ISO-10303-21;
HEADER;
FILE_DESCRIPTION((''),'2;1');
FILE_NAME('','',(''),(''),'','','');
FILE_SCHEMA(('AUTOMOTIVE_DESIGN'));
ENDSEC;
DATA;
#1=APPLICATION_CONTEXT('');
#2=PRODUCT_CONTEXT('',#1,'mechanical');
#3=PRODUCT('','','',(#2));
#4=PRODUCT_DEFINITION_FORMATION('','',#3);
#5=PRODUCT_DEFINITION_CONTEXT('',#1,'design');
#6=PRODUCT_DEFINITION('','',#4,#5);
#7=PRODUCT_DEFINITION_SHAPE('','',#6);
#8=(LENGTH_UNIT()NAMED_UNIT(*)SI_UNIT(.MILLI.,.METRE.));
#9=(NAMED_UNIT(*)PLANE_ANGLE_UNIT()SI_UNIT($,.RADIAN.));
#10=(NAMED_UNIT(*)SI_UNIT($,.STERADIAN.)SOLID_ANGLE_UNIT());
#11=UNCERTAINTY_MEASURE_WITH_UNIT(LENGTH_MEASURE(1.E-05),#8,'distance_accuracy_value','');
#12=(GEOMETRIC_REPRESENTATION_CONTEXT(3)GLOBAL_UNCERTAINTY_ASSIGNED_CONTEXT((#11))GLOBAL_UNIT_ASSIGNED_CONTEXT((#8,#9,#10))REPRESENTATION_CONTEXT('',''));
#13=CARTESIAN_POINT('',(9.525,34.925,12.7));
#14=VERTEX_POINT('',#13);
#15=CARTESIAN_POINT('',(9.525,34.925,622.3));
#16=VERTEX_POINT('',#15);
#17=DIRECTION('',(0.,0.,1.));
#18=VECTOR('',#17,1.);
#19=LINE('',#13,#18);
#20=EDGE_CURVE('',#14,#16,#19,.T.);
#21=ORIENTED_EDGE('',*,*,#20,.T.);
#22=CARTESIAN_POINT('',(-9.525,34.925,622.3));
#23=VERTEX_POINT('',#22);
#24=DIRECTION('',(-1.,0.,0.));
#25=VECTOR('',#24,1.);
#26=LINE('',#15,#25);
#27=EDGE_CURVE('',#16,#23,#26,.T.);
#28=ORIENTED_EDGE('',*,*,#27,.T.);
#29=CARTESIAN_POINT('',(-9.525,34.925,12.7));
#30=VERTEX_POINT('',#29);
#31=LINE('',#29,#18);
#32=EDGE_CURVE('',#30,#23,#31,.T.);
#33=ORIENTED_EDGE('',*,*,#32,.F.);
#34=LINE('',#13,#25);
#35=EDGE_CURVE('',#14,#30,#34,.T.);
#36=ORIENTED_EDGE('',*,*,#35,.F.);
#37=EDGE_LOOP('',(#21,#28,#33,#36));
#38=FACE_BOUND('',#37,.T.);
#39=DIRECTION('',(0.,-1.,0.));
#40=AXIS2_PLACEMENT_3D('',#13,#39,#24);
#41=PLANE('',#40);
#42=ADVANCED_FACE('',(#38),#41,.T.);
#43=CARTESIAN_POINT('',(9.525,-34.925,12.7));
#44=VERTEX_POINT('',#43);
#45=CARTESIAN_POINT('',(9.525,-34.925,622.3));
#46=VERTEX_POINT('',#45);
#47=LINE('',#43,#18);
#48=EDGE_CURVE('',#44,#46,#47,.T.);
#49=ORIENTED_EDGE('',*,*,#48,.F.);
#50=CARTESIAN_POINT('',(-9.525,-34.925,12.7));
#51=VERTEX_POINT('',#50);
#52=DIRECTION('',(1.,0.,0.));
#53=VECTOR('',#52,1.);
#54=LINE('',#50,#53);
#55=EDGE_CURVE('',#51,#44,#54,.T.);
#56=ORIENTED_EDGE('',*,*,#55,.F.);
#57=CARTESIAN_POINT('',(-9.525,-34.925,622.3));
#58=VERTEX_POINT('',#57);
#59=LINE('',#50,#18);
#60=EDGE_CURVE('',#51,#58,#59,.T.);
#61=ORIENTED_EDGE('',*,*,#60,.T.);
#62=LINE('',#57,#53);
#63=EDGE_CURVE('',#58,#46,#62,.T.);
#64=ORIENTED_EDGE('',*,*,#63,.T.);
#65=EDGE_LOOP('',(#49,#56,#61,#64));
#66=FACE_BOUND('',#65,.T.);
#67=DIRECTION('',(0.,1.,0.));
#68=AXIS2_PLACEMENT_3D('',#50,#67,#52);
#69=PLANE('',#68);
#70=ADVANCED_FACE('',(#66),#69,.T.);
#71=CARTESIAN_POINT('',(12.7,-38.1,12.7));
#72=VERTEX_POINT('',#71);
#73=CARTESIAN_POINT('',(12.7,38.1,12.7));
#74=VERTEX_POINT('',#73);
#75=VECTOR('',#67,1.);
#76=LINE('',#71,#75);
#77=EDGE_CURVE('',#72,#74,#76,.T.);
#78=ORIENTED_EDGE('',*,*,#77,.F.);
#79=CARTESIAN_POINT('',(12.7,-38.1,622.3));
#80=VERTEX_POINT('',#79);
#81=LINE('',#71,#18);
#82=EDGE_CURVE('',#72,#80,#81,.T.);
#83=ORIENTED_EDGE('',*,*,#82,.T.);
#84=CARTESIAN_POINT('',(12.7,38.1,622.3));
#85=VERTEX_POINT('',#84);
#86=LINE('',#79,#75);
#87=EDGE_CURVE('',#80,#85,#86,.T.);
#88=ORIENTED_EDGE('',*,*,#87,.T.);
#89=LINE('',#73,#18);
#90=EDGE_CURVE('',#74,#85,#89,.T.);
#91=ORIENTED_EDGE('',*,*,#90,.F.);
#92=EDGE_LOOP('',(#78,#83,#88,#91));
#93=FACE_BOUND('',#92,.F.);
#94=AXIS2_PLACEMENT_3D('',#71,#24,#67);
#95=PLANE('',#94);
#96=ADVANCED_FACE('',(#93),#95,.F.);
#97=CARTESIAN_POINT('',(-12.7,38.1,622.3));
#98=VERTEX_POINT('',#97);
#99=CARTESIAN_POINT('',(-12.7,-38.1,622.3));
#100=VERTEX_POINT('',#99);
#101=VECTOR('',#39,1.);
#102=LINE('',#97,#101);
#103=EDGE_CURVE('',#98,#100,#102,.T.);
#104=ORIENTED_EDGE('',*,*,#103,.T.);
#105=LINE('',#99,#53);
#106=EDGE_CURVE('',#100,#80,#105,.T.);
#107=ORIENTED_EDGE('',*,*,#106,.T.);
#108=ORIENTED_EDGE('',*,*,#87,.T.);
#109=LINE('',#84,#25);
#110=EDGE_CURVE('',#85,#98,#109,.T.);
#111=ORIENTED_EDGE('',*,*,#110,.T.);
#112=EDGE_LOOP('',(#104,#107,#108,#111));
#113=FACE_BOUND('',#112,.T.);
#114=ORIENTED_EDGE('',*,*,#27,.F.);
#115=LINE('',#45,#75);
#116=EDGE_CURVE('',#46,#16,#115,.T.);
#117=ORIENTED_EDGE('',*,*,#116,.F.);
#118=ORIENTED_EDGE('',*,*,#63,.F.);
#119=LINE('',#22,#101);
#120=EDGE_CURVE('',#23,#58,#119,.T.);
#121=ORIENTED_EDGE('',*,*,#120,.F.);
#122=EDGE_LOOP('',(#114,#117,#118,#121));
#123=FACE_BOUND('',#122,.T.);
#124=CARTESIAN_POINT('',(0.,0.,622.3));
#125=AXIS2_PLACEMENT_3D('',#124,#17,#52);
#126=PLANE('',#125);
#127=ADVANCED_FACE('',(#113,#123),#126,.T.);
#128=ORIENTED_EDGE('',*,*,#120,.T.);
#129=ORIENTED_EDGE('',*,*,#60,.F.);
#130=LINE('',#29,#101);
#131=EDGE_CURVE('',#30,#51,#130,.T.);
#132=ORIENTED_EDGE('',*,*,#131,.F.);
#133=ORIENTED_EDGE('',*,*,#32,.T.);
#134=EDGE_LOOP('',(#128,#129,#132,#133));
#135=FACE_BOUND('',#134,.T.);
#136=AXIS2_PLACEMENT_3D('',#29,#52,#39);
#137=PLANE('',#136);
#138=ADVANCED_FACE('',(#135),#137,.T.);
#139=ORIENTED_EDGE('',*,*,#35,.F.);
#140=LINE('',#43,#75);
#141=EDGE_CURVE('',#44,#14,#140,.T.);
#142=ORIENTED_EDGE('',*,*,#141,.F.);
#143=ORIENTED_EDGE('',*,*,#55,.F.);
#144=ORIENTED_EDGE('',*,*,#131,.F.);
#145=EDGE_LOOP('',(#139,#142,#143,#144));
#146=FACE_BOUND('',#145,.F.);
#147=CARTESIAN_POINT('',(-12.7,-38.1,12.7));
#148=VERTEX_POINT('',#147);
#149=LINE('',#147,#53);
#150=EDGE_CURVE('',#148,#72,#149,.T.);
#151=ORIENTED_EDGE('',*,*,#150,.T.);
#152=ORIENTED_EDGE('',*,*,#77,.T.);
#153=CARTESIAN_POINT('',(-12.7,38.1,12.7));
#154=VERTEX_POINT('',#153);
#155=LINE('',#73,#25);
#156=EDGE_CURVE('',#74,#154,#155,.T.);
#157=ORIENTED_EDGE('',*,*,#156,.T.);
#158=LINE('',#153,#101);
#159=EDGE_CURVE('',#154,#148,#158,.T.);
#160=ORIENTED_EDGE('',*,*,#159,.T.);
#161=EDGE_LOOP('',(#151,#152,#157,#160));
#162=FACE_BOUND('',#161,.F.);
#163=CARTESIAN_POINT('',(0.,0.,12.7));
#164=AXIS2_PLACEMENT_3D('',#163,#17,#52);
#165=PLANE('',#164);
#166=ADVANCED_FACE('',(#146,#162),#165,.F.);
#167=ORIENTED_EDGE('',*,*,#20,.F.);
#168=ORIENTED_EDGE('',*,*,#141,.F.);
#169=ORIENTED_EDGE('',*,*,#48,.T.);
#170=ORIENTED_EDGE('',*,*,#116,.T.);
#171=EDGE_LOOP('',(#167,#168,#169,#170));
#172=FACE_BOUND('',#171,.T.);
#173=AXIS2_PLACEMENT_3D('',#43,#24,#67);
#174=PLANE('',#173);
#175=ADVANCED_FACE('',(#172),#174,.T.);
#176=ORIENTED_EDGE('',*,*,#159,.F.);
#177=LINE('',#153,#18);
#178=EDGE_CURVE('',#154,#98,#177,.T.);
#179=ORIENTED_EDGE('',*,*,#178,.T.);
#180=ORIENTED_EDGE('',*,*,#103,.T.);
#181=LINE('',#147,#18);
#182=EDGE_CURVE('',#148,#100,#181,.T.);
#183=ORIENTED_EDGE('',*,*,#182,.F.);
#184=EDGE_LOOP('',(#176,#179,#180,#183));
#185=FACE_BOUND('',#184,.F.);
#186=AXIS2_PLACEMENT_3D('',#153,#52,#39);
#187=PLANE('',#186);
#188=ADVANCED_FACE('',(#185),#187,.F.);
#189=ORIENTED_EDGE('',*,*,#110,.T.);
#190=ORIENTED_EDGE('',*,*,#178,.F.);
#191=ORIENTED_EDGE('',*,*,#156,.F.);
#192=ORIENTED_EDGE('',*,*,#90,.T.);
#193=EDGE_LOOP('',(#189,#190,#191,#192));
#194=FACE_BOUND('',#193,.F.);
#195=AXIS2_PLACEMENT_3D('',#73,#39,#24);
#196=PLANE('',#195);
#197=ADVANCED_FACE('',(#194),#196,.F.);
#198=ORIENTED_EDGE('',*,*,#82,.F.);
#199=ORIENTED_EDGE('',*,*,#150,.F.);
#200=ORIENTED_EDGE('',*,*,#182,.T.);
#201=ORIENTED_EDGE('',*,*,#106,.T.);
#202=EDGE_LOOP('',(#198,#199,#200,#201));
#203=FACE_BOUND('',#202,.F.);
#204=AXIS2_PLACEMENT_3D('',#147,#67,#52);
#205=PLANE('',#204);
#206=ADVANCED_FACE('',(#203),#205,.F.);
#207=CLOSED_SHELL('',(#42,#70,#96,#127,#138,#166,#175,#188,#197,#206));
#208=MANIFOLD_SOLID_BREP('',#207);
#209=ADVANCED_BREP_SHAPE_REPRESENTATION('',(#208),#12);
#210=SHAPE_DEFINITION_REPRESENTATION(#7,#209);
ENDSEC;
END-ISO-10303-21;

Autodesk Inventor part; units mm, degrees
ref_plane "Start Plane" through (0, 0, 12.7) normal (0, 0, 1) x (1, 0, 0)
ref_plane "End Plane" through (0, 0, 622.3) normal (0, 0, 1) x (1, 0, 0)
sketch "Sketch" plane through (0, 0, 0) normal (0, 0, 1) x (1, 0, 0)
  line L0 (-12.7, -38.1) -> (12.7, -38.1)
  line L1 (12.7, -38.1) -> (12.7, 38.1)
  line L2 (12.7, 38.1) -> (-12.7, 38.1)
  line L3 (-12.7, 38.1) -> (-12.7, -38.1)
  line L4 (-12.7, -38.1) -> (12.7, 38.1) construction
  line L5 (12.7, -38.1) -> (-12.7, 38.1) construction
  line L6 (-9.525, -34.925) -> (9.525, -34.925)
  line L7 (9.525, -34.925) -> (9.525, 34.925)
  line L8 (9.525, 34.925) -> (-9.525, 34.925)
  line L9 (-9.525, 34.925) -> (-9.525, -34.925)
  line L10 (-9.525, -34.925) -> (9.525, 34.925) construction
  line L11 (9.525, -34.925) -> (-9.525, 34.925) construction
  point P0 (0, 0)
  dimension "d0" = 25.4
  dimension "d1" = 76.2
  dimension "d2" = 3.175
  dimension "d3" = 3.175
extrude "Body" add sketch "Sketch" along normal up to surface (609.6 mm away) from surface at 12.7
sketch "Sketch6" plane through (0, 0, 0) normal (0, 0, 1) x (1, 0, 0)
  line L0 (0, 0) -> (10, 0)
ref_plane "Work Plane5" through (0, 0, 0) normal (0, -1, 0) x (1, 0, 0)
sketch "Sketch7" plane through (0, 0, 0) normal (0, -1, 0) x (1, 0, 0)
  line L0 (-2, 12.7) -> (12, 12.7)
  line L1 (-2, 622.3) -> (12, 622.3)
  dimension "d11" = 609.6
ref_plane "Work Plane6" through (0, -38.1, 622.3) normal (0, 0, 1) x (1, 0, 0)
split "Split1" plane through (0, -38.1, 622.3) removes the side toward (0, 0, 1)
ref_plane "Work Plane7" through (711.2, -38.1, 12.7) normal (0, 0, -1) x (-1, 0, 0)
split "Split2" plane through (711.2, -38.1, 12.7) removes the side toward (0, 0, -1)
equation "\"d0\" = Width"
equation "\"d1\" = Height"
equation "\"d2\" = Thickness"
equation "\"d3\" = Thickness"
equation "\"Height\" = 76.2"
equation "\"Width\" = 25.4"
equation "\"Thickness\" = 3.175"
equation "\"BaseLength\" = 635"
equation "\"G_OFFSET_START\" = -12.7"
equation "\"G_OFFSET_END\" = -12.7"
equation "\"d6\" = -G_OFFSET_START"
equation "\"d7\" = BaseLength + G_OFFSET_END"
equation "\"G_L\" = d11"
properties part number "AL RECT TUBE 3 x 1 x 0.125" material "Aluminum 6061"
